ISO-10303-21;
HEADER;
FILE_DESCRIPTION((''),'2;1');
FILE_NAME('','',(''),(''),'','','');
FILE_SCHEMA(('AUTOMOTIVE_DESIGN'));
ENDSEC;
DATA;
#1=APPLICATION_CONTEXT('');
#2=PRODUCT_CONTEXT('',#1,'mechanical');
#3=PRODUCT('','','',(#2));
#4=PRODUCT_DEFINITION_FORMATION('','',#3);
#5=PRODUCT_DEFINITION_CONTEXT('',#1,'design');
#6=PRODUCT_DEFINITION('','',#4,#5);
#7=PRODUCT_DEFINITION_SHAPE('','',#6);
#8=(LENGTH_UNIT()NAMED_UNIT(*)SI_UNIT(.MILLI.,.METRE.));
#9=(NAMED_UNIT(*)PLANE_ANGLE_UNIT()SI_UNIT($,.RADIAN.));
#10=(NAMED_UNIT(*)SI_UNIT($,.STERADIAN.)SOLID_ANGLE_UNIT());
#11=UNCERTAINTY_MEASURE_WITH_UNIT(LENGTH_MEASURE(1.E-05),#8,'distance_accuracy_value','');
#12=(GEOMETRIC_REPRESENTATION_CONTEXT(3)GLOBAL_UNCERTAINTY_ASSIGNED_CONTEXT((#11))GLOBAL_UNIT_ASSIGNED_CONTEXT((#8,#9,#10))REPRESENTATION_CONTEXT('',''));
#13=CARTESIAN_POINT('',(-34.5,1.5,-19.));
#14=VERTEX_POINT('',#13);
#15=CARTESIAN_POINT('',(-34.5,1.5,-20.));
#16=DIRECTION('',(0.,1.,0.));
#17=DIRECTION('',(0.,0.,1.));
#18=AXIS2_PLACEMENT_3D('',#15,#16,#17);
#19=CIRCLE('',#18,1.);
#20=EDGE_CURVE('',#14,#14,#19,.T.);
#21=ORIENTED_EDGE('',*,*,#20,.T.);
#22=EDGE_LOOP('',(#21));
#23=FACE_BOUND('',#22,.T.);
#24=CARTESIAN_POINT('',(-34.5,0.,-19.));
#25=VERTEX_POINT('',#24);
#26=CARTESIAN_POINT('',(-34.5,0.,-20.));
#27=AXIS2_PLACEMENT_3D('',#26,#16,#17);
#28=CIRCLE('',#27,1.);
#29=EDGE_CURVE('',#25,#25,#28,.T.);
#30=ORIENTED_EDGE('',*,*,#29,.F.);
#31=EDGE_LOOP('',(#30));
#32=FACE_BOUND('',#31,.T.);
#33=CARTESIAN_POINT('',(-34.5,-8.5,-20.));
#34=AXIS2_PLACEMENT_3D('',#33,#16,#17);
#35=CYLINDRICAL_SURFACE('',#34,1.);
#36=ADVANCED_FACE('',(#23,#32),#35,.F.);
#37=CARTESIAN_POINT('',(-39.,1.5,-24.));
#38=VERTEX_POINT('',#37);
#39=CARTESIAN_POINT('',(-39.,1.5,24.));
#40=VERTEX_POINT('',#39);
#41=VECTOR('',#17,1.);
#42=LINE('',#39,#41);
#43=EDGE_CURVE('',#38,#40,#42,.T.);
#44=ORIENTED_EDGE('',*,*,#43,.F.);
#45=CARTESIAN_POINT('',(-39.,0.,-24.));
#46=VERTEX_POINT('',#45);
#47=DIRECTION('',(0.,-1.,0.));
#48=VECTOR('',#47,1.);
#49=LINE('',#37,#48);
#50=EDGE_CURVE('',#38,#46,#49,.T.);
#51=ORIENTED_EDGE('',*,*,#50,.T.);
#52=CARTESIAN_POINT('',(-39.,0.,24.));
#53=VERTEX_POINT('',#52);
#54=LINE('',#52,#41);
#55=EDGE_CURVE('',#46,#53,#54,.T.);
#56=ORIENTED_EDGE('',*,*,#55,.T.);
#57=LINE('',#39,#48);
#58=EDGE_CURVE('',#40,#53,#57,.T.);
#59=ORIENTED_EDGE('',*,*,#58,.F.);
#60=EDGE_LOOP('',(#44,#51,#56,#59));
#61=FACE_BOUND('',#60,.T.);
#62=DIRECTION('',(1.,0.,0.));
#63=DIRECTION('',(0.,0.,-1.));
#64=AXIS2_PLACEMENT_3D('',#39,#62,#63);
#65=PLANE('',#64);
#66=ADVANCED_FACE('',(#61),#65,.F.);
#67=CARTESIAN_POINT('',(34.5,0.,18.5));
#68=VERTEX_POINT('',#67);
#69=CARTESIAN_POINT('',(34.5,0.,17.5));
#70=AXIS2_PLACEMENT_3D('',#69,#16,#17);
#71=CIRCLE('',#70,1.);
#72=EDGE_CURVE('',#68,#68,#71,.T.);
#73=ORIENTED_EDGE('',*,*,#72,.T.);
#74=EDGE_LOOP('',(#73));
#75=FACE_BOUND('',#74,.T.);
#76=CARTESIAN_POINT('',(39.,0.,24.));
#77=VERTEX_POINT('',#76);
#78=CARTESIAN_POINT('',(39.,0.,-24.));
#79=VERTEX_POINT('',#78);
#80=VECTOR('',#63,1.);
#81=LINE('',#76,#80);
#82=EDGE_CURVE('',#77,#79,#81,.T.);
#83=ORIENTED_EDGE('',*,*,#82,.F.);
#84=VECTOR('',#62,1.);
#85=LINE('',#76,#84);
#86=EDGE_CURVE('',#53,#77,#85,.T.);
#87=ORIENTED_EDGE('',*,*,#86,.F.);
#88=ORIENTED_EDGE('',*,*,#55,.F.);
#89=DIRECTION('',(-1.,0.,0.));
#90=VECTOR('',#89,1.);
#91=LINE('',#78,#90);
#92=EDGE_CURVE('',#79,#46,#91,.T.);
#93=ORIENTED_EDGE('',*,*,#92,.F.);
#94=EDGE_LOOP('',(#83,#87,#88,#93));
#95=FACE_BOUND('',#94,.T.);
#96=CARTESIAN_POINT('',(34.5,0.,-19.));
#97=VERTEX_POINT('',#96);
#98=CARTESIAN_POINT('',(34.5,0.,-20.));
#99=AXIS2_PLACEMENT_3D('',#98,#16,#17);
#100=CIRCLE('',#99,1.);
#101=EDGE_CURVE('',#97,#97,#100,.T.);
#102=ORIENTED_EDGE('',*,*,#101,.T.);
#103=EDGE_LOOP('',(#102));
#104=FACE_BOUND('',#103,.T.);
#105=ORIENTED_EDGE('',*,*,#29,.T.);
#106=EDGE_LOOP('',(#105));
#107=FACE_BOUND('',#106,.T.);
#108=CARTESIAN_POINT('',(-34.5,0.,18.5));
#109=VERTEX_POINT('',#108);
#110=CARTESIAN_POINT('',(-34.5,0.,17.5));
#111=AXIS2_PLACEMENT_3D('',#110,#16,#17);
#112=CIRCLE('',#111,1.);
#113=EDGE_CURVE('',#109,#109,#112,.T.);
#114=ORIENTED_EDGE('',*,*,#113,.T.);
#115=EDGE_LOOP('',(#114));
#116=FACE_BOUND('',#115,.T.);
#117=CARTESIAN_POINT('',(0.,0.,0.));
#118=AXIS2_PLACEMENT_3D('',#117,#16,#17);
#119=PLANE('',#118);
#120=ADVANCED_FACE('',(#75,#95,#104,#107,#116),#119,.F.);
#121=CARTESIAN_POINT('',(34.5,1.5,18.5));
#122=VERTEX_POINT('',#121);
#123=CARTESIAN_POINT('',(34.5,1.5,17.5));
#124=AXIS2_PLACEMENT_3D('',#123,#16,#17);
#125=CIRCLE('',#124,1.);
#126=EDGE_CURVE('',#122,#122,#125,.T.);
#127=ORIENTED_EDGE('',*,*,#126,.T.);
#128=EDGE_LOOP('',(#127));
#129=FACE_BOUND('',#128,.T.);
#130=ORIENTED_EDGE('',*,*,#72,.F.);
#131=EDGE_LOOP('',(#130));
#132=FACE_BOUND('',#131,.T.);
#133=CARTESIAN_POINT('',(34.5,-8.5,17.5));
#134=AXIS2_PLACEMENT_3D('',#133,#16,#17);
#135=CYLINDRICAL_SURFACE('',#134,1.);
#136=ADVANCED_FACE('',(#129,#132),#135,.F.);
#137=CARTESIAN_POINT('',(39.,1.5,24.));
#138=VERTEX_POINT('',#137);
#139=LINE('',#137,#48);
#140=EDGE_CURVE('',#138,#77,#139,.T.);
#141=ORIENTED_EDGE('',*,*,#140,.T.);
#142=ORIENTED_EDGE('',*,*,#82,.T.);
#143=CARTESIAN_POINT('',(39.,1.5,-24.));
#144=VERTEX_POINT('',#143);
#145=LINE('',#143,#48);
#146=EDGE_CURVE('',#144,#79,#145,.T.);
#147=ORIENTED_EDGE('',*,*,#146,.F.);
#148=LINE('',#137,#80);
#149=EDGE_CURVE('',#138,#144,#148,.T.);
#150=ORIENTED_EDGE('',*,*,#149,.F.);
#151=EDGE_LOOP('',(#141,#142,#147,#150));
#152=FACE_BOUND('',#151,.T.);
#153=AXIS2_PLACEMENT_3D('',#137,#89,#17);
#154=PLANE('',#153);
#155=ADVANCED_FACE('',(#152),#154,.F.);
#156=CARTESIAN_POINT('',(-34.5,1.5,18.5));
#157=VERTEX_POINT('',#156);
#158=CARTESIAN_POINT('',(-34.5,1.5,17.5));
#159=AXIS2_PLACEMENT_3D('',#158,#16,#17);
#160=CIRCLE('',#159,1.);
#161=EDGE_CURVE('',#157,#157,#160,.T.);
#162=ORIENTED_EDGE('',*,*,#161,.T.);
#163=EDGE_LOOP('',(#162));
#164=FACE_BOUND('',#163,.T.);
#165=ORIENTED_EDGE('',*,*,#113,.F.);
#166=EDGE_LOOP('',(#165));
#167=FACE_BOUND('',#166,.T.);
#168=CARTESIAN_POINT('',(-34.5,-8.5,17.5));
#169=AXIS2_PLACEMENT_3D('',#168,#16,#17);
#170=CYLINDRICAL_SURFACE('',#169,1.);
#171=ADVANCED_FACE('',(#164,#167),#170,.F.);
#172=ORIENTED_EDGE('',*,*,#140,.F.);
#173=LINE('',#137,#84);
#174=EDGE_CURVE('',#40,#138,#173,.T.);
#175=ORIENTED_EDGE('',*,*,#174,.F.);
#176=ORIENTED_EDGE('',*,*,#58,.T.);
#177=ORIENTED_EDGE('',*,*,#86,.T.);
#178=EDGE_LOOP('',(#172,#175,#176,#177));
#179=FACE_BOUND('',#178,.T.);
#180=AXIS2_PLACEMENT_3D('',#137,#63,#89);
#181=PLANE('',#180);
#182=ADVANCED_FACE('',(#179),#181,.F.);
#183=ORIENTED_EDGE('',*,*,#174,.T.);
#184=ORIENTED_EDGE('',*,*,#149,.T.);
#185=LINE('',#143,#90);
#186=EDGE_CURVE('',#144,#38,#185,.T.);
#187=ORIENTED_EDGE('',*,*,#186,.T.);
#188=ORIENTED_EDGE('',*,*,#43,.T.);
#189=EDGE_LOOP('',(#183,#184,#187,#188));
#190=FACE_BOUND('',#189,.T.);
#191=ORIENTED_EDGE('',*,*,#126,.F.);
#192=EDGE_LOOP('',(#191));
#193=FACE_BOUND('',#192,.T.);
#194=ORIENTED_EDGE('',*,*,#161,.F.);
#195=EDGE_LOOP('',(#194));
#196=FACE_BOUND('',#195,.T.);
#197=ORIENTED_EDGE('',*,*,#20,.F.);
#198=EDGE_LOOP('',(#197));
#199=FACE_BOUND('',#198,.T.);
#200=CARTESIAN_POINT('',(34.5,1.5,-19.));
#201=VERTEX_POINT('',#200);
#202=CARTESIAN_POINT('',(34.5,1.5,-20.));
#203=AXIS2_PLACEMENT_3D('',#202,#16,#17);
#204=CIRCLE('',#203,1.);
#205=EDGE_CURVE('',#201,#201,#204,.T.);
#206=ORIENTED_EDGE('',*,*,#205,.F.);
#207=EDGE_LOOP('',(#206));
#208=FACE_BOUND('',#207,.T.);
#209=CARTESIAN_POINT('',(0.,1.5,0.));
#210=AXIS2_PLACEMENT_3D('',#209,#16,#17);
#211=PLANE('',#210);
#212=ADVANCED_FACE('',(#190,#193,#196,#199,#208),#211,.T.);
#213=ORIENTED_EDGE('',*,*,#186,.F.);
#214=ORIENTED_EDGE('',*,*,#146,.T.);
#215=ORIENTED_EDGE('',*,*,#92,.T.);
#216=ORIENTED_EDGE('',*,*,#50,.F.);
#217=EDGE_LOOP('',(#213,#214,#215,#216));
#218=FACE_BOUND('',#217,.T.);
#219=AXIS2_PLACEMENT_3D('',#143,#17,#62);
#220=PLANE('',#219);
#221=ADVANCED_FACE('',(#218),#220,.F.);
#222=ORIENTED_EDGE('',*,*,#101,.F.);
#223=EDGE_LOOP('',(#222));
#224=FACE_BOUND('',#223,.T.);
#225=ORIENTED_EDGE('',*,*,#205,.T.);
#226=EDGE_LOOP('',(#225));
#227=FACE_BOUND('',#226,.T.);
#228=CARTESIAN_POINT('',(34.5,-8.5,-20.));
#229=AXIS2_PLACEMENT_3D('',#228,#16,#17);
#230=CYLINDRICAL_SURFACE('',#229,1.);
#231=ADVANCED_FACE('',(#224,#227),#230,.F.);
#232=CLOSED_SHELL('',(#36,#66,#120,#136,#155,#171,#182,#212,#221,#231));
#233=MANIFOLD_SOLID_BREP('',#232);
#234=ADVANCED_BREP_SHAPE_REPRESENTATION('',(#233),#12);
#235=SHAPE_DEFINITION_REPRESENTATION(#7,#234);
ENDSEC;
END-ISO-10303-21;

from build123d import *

# Parameters (mm, degrees)
SKETCH1_W           = 78
SKETCH1_H           = 48
BOSS_EXTRUDE1_DEPTH = 1.5
SKETCH2_R           = 1
CUT_EXTRUDE1_DEPTH  = 10


with BuildPart() as part:
    # Sketch1 → Boss-Extrude1 (new body)
    with BuildSketch(Plane(origin=(0, 0, 0), x_dir=(1, 0, 0), z_dir=(0, 1, 0))):
        Rectangle(SKETCH1_W, SKETCH1_H)
    extrude(amount=BOSS_EXTRUDE1_DEPTH)

    # Sketch2 → Cut-Extrude1 (cut)
    with BuildSketch(Plane(origin=(0, 1.5, 0), x_dir=(1, 0, 0), z_dir=(0, 1, 0))):
        with Locations(Location((-34.5, 20, 0), (0, 0, 270))):
            Circle(SKETCH2_R)
        with Locations(Location((34.5, 20, 0), (0, 0, 270))):
            Circle(SKETCH2_R)
        with Locations(Location((-34.5, -17.5, 0), (0, 0, 270))):
            Circle(SKETCH2_R)
        with Locations(Location((34.5, -17.5, 0), (0, 0, 270))):
            Circle(SKETCH2_R)
    extrude(amount=-CUT_EXTRUDE1_DEPTH, mode=Mode.SUBTRACT)


solid = part.part
